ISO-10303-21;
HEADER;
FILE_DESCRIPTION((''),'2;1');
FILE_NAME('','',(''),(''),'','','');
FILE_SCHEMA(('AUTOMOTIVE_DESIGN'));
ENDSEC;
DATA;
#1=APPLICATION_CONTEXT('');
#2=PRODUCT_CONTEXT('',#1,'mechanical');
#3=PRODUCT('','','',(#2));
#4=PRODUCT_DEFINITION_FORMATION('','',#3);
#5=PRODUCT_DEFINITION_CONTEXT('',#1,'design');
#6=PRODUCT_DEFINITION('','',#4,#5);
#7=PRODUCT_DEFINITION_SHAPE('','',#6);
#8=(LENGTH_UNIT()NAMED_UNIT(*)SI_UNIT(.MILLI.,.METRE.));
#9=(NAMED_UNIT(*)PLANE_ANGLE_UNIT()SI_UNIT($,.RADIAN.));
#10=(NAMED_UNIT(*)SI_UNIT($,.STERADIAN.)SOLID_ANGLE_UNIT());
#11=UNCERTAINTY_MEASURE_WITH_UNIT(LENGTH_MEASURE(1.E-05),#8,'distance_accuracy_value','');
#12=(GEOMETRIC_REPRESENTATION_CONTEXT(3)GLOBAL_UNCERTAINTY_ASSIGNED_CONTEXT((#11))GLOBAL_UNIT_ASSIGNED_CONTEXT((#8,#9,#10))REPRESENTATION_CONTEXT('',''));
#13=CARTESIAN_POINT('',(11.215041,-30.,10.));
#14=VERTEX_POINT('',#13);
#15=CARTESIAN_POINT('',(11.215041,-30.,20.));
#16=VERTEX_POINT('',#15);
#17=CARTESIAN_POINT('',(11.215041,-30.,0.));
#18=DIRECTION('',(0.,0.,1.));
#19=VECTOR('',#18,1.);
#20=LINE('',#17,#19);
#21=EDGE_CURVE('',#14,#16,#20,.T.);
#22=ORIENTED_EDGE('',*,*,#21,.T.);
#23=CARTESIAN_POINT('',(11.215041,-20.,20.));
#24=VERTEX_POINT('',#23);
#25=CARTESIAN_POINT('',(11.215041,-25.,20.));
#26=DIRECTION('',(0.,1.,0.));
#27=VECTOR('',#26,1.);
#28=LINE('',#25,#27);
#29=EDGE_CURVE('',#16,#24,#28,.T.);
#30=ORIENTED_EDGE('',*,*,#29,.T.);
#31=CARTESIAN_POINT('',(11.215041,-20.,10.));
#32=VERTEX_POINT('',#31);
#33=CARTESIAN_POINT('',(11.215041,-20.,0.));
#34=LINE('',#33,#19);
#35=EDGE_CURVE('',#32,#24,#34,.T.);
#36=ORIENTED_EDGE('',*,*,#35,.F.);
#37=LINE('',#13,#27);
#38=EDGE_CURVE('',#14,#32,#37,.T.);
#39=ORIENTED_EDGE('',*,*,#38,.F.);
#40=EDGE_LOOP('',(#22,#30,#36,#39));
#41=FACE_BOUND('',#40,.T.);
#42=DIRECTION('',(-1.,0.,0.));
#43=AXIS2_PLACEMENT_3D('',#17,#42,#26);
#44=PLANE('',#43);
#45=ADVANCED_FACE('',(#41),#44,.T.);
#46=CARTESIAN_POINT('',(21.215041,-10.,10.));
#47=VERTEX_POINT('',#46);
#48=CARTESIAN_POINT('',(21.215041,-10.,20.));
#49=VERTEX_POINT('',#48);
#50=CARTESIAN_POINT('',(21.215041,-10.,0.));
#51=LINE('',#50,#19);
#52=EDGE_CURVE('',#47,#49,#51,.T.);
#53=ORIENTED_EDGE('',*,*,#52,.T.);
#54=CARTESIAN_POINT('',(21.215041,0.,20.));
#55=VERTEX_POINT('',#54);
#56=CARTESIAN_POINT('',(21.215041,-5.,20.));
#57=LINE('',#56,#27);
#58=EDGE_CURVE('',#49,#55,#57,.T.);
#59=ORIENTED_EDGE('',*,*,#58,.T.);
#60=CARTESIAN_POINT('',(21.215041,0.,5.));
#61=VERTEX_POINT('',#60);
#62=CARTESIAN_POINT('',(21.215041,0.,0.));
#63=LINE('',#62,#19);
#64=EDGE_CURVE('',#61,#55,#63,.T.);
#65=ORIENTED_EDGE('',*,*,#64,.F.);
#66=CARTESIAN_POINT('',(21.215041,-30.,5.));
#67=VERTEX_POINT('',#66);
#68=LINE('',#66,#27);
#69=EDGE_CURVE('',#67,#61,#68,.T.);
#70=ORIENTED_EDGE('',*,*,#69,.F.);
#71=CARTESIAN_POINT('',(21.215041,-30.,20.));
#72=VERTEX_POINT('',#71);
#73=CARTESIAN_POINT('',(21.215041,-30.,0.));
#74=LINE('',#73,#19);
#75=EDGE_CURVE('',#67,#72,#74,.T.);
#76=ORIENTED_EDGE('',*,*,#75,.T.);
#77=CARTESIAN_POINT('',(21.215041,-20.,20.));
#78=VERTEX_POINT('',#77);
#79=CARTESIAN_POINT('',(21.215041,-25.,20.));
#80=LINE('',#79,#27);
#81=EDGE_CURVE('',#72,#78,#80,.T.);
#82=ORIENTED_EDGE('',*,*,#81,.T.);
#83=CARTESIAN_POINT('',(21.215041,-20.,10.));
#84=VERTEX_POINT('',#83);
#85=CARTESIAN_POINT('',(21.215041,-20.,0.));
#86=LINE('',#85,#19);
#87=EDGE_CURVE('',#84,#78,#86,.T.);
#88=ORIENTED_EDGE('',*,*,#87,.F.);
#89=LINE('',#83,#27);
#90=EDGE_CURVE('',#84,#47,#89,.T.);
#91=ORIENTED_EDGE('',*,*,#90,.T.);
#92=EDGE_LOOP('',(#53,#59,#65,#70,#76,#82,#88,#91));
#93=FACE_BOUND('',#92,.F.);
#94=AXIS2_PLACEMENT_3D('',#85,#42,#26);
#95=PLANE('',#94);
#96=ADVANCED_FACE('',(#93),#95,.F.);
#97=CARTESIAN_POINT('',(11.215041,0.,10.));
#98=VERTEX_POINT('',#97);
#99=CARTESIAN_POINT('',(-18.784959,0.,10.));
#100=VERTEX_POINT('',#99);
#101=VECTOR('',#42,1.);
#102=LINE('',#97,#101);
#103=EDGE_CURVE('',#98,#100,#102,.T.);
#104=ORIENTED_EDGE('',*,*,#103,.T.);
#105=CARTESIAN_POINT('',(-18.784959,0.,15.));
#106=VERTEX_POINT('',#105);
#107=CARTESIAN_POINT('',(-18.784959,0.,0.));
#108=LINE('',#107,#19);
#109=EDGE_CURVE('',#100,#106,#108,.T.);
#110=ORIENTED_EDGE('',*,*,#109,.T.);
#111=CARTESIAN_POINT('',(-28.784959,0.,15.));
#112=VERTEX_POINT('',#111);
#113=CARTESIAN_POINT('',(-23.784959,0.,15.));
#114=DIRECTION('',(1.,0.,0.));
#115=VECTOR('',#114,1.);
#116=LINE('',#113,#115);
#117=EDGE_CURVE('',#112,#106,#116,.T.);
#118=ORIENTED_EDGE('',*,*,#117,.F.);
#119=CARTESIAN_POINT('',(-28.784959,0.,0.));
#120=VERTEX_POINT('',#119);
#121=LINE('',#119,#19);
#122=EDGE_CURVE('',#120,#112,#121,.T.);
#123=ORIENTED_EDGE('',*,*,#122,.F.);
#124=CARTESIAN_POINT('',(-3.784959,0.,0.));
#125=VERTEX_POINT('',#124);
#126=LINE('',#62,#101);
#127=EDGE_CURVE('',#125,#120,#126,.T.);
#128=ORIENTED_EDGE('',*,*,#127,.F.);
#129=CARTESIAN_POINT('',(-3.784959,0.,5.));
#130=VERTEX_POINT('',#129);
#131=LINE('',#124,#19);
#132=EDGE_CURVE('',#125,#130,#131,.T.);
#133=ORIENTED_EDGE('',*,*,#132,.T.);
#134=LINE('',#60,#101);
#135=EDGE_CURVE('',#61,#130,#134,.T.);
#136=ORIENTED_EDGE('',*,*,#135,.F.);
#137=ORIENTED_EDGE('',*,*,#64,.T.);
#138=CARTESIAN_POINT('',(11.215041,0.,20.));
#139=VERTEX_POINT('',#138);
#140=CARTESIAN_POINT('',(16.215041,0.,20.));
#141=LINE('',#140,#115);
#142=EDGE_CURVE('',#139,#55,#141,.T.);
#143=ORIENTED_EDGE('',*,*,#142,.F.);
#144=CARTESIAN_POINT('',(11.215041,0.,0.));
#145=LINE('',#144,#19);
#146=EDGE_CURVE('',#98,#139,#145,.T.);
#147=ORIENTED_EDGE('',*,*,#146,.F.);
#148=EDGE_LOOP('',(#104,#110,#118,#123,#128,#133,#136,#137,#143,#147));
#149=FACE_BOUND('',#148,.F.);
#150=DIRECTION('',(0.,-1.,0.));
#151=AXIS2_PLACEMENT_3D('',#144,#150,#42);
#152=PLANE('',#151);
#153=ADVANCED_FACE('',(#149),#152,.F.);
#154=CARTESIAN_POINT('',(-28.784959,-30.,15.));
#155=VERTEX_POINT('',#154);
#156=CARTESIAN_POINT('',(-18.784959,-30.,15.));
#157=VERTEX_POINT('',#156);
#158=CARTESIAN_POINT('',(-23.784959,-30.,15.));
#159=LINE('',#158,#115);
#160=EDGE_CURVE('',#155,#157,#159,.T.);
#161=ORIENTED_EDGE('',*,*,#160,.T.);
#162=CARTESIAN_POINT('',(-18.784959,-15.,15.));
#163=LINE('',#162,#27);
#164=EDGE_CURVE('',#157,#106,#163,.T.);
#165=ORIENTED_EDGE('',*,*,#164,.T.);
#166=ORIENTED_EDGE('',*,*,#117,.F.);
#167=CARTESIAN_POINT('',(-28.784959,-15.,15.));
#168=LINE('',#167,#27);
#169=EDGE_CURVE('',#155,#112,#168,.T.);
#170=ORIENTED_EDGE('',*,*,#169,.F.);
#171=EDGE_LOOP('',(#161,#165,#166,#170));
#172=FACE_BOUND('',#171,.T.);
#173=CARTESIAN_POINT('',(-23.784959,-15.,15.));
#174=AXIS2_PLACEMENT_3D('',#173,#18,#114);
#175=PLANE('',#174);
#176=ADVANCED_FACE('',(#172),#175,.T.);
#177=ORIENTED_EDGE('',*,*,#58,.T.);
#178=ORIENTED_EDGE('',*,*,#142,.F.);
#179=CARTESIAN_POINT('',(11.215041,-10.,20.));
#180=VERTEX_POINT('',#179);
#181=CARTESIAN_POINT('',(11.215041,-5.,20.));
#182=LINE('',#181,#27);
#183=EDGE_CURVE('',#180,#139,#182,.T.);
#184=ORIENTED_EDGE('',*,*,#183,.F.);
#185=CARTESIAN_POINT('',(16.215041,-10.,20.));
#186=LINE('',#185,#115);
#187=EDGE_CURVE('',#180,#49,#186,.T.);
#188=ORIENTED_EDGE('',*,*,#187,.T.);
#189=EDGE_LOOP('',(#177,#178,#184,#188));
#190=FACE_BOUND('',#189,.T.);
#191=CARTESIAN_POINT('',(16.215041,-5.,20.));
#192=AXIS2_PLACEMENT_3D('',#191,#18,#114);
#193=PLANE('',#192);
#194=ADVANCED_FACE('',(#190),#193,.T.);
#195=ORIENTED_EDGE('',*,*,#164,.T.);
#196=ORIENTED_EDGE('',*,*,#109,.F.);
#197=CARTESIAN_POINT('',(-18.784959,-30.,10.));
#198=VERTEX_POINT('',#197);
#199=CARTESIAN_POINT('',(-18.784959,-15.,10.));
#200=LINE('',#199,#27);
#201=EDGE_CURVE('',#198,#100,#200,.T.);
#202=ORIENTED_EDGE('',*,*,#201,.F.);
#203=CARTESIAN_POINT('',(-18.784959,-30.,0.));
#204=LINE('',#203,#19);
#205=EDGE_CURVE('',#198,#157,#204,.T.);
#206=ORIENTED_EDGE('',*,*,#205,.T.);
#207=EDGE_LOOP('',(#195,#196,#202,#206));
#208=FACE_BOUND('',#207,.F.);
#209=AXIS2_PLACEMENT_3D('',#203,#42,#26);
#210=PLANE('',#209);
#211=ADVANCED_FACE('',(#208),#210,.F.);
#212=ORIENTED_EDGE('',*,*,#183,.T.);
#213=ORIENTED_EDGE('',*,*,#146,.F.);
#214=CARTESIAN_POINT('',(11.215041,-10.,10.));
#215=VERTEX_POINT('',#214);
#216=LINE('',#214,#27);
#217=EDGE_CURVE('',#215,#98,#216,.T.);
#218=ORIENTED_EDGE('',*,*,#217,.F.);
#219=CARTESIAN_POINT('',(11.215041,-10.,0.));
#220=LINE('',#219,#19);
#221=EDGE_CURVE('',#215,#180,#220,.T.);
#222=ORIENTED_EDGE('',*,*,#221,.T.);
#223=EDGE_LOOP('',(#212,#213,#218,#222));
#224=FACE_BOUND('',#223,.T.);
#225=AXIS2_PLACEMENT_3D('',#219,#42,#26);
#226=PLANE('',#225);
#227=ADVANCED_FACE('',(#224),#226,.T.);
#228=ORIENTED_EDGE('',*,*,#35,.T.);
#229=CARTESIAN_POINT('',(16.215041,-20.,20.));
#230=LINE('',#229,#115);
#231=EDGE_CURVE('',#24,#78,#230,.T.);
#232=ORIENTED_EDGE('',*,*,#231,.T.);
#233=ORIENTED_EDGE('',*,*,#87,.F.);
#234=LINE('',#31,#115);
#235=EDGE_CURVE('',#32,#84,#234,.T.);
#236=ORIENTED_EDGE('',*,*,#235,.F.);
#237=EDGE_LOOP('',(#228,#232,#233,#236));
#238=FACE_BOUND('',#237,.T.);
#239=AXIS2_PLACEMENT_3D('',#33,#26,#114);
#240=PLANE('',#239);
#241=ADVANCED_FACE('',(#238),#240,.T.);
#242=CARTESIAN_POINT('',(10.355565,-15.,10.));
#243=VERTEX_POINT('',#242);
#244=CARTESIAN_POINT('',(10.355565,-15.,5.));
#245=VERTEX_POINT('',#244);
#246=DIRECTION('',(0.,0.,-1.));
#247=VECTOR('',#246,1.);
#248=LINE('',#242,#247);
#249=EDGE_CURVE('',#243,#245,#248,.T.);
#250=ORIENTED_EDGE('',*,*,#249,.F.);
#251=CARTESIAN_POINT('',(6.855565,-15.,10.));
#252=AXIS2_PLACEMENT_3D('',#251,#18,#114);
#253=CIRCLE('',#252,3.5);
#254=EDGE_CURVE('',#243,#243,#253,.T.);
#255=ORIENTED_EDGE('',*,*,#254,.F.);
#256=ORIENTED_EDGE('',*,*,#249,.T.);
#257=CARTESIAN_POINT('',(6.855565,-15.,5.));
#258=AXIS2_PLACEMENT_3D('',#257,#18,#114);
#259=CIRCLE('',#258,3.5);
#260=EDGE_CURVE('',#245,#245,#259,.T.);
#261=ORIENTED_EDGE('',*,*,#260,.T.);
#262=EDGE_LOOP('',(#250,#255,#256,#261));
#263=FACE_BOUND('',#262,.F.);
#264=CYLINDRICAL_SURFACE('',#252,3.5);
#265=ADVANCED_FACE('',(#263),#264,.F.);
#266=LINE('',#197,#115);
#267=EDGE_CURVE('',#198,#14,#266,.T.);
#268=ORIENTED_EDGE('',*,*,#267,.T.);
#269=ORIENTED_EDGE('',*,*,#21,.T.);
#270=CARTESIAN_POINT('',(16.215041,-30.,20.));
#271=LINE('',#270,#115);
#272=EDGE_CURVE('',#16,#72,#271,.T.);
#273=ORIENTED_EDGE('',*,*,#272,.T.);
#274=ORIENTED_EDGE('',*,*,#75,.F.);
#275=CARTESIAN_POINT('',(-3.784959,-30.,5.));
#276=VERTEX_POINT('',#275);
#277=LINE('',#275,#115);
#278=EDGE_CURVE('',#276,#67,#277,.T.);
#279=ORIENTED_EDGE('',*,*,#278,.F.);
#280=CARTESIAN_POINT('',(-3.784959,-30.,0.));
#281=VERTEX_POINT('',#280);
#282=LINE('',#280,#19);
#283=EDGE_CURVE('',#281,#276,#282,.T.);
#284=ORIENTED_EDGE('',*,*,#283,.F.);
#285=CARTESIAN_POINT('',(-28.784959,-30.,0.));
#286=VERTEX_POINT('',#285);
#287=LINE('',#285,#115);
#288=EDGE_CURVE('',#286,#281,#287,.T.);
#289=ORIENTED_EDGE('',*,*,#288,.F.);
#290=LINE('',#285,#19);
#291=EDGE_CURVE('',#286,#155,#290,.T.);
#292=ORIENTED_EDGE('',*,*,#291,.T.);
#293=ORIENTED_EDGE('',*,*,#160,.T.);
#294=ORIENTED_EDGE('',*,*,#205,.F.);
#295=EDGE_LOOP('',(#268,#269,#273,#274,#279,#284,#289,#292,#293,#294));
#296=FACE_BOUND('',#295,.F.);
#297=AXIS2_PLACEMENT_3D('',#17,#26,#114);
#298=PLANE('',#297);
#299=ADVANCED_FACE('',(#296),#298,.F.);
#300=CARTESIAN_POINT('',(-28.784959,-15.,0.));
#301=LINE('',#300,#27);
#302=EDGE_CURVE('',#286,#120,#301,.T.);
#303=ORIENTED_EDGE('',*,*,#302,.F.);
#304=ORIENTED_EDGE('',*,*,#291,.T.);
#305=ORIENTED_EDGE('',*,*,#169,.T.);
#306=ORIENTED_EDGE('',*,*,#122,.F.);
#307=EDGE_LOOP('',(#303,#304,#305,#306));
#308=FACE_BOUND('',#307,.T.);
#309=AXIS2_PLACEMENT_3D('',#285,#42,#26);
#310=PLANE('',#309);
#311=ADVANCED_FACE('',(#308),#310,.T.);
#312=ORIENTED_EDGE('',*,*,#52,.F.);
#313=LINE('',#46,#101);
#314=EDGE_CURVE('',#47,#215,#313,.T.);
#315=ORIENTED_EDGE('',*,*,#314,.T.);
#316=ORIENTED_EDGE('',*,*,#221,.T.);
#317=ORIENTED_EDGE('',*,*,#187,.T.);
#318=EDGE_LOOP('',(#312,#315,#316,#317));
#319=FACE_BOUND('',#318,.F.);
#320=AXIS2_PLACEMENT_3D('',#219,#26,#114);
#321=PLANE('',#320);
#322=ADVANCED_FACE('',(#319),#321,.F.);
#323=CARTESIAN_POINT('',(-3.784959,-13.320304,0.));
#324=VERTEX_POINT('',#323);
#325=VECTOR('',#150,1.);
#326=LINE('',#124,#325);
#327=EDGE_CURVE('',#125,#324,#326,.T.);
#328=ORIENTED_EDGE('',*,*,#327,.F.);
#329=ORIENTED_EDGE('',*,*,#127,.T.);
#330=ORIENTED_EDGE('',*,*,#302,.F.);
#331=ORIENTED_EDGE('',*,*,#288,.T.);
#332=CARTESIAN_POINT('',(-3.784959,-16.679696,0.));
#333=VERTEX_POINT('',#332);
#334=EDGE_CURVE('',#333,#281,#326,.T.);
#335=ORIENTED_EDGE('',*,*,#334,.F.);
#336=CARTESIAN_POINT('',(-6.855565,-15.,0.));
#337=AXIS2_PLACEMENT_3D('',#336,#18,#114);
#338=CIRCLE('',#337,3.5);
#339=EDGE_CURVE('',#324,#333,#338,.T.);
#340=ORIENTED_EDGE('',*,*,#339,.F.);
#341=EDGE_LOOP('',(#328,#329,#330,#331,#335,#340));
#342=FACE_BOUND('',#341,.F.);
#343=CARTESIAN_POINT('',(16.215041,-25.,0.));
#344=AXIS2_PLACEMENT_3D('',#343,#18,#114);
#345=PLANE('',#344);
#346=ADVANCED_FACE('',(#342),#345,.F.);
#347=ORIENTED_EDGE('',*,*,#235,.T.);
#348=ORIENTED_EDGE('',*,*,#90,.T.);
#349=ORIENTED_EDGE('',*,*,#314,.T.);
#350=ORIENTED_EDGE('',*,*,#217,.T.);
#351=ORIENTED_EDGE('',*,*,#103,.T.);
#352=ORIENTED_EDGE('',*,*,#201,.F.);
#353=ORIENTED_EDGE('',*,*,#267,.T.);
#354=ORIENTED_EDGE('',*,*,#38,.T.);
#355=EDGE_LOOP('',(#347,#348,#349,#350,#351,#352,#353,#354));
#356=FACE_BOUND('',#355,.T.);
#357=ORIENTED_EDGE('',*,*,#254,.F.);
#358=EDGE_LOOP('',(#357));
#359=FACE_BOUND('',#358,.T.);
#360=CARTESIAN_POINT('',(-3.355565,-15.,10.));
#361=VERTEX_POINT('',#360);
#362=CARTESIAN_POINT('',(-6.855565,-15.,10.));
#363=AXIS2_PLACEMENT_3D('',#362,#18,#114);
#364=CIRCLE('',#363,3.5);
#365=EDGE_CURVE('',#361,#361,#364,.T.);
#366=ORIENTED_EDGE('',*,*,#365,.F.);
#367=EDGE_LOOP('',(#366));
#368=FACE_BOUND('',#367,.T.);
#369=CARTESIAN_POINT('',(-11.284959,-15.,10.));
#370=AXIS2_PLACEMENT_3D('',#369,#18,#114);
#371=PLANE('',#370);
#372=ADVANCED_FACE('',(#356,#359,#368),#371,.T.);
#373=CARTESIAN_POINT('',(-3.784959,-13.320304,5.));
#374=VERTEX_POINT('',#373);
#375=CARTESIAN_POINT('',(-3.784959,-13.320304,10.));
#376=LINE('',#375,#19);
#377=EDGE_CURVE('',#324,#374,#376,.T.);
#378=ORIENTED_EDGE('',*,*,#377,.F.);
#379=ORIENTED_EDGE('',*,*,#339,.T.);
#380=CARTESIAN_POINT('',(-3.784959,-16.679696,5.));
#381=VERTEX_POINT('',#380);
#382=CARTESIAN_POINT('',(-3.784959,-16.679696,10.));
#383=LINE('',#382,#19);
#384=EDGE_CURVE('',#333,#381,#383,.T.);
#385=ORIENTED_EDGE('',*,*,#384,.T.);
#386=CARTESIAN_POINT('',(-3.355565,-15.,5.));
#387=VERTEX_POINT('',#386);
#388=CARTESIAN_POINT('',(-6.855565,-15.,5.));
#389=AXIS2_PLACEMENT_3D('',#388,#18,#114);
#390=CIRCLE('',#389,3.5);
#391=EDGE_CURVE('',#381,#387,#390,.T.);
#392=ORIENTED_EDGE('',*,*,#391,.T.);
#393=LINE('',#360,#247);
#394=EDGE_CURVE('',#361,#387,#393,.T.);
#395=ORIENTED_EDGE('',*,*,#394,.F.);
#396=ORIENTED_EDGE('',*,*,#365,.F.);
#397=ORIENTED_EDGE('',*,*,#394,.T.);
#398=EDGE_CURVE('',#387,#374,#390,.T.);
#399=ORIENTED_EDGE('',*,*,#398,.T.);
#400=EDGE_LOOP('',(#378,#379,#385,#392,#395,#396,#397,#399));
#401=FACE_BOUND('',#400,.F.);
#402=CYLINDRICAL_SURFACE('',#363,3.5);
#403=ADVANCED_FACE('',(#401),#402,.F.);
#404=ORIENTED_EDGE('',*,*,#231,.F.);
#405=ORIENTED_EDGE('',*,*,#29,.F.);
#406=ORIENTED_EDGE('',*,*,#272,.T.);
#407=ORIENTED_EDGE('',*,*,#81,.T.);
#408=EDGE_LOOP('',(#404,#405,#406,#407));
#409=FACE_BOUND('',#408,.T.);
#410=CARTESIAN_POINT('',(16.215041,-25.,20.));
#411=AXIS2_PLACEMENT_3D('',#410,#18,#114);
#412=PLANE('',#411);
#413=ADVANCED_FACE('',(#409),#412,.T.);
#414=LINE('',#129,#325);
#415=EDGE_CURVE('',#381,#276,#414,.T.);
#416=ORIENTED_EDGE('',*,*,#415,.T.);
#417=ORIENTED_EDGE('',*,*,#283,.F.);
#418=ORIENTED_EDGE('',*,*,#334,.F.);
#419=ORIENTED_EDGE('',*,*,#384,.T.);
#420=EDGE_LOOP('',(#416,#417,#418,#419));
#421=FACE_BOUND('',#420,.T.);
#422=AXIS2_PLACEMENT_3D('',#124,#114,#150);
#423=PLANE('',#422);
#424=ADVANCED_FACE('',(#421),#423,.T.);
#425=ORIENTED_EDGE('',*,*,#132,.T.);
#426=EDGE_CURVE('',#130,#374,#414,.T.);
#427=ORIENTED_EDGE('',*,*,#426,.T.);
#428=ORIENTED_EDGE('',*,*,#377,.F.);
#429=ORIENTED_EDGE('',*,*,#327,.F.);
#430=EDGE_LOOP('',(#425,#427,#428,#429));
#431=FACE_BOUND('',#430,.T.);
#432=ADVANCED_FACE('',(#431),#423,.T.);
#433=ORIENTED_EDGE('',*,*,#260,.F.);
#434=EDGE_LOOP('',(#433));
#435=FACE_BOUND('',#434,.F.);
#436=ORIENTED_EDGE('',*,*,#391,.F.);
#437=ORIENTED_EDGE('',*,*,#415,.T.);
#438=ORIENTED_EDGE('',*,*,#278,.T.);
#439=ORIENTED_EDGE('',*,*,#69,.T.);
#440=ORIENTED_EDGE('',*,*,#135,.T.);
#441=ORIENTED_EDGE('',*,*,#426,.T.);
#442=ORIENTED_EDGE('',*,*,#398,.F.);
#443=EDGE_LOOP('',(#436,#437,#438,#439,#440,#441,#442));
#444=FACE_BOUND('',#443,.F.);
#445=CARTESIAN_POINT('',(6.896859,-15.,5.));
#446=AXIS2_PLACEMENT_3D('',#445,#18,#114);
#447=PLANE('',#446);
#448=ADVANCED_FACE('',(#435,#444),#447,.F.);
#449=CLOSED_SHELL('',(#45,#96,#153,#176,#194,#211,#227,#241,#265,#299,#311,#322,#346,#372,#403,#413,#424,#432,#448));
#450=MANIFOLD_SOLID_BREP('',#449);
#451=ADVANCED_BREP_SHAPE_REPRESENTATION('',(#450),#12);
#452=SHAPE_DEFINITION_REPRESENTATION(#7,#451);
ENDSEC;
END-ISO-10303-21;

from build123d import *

# Parameters (mm, degrees)
F0_W     = 10
F0_H     = 30
F1_DEPTH = 15
F0_W_2   = 15
F2_DEPTH = 10
F0_H_2   = 10
F3_DEPTH = 20
F4_DEPTH = 5
F5_R     = 3.5
F6_DEPTH = 10


with BuildPart() as f1:
    # F0 (on Top) → F1 (new body)
    with BuildSketch(Plane.XY):
        with Locations((-23.784959, -15)):
            Rectangle(F0_W, F0_H)
    extrude(amount=F1_DEPTH)

    # F0 (on Top) → F2 (join)
    with BuildSketch(Plane.XY):
        with Locations((-11.284959, -15)):
            Rectangle(F0_W_2, F0_H)
        Polygon((11.215041, 0), (-3.784959, 0), (-3.784959, -30), (11.215041, -30), (11.215041, -20), (21.215041, -20), (21.215041, -10), (11.215041, -10), align=None)
    extrude(amount=F2_DEPTH)

    # F0 (on Top) → F3 (join)
    with BuildSketch(Plane.XY):
        with Locations((16.215041, -25)):
            Rectangle(F0_W, F0_H_2)
        with Locations((16.215041, -5)):
            Rectangle(F0_W, F0_H_2)
    extrude(amount=F3_DEPTH)

    # F0 (on Top) → F4 (cut)
    with BuildSketch(Plane.XY):
        Polygon((11.215041, 0), (-3.784959, 0), (-3.784959, -30), (11.215041, -30), (11.215041, -20), (21.215041, -20), (21.215041, -10), (11.215041, -10), align=None)
        with Locations((16.215041, -25)):
            Rectangle(F0_W, F0_H_2)
        with Locations((16.215041, -5)):
            Rectangle(F0_W, F0_H_2)
    extrude(amount=F4_DEPTH, mode=Mode.SUBTRACT)

    # F5 (on face) → F6 (cut)
    with BuildSketch(Plane.XY.offset(10)):
        with BuildLine():
            ThreePointArc((3.355565, -15), (6.855565, -18.5), (10.355565, -15))
            Line((10.355565, -15), (3.355565, -15))
        make_face()
        with BuildLine():
            Line((3.355565, -15), (10.355565, -15))
            ThreePointArc((10.355565, -15), (6.855565, -11.5), (3.355565, -15))
        make_face()
        with Locations((-6.855565, -15)):
            Circle(F5_R)
    extrude(amount=-F6_DEPTH, mode=Mode.SUBTRACT)


solid = f1.part
